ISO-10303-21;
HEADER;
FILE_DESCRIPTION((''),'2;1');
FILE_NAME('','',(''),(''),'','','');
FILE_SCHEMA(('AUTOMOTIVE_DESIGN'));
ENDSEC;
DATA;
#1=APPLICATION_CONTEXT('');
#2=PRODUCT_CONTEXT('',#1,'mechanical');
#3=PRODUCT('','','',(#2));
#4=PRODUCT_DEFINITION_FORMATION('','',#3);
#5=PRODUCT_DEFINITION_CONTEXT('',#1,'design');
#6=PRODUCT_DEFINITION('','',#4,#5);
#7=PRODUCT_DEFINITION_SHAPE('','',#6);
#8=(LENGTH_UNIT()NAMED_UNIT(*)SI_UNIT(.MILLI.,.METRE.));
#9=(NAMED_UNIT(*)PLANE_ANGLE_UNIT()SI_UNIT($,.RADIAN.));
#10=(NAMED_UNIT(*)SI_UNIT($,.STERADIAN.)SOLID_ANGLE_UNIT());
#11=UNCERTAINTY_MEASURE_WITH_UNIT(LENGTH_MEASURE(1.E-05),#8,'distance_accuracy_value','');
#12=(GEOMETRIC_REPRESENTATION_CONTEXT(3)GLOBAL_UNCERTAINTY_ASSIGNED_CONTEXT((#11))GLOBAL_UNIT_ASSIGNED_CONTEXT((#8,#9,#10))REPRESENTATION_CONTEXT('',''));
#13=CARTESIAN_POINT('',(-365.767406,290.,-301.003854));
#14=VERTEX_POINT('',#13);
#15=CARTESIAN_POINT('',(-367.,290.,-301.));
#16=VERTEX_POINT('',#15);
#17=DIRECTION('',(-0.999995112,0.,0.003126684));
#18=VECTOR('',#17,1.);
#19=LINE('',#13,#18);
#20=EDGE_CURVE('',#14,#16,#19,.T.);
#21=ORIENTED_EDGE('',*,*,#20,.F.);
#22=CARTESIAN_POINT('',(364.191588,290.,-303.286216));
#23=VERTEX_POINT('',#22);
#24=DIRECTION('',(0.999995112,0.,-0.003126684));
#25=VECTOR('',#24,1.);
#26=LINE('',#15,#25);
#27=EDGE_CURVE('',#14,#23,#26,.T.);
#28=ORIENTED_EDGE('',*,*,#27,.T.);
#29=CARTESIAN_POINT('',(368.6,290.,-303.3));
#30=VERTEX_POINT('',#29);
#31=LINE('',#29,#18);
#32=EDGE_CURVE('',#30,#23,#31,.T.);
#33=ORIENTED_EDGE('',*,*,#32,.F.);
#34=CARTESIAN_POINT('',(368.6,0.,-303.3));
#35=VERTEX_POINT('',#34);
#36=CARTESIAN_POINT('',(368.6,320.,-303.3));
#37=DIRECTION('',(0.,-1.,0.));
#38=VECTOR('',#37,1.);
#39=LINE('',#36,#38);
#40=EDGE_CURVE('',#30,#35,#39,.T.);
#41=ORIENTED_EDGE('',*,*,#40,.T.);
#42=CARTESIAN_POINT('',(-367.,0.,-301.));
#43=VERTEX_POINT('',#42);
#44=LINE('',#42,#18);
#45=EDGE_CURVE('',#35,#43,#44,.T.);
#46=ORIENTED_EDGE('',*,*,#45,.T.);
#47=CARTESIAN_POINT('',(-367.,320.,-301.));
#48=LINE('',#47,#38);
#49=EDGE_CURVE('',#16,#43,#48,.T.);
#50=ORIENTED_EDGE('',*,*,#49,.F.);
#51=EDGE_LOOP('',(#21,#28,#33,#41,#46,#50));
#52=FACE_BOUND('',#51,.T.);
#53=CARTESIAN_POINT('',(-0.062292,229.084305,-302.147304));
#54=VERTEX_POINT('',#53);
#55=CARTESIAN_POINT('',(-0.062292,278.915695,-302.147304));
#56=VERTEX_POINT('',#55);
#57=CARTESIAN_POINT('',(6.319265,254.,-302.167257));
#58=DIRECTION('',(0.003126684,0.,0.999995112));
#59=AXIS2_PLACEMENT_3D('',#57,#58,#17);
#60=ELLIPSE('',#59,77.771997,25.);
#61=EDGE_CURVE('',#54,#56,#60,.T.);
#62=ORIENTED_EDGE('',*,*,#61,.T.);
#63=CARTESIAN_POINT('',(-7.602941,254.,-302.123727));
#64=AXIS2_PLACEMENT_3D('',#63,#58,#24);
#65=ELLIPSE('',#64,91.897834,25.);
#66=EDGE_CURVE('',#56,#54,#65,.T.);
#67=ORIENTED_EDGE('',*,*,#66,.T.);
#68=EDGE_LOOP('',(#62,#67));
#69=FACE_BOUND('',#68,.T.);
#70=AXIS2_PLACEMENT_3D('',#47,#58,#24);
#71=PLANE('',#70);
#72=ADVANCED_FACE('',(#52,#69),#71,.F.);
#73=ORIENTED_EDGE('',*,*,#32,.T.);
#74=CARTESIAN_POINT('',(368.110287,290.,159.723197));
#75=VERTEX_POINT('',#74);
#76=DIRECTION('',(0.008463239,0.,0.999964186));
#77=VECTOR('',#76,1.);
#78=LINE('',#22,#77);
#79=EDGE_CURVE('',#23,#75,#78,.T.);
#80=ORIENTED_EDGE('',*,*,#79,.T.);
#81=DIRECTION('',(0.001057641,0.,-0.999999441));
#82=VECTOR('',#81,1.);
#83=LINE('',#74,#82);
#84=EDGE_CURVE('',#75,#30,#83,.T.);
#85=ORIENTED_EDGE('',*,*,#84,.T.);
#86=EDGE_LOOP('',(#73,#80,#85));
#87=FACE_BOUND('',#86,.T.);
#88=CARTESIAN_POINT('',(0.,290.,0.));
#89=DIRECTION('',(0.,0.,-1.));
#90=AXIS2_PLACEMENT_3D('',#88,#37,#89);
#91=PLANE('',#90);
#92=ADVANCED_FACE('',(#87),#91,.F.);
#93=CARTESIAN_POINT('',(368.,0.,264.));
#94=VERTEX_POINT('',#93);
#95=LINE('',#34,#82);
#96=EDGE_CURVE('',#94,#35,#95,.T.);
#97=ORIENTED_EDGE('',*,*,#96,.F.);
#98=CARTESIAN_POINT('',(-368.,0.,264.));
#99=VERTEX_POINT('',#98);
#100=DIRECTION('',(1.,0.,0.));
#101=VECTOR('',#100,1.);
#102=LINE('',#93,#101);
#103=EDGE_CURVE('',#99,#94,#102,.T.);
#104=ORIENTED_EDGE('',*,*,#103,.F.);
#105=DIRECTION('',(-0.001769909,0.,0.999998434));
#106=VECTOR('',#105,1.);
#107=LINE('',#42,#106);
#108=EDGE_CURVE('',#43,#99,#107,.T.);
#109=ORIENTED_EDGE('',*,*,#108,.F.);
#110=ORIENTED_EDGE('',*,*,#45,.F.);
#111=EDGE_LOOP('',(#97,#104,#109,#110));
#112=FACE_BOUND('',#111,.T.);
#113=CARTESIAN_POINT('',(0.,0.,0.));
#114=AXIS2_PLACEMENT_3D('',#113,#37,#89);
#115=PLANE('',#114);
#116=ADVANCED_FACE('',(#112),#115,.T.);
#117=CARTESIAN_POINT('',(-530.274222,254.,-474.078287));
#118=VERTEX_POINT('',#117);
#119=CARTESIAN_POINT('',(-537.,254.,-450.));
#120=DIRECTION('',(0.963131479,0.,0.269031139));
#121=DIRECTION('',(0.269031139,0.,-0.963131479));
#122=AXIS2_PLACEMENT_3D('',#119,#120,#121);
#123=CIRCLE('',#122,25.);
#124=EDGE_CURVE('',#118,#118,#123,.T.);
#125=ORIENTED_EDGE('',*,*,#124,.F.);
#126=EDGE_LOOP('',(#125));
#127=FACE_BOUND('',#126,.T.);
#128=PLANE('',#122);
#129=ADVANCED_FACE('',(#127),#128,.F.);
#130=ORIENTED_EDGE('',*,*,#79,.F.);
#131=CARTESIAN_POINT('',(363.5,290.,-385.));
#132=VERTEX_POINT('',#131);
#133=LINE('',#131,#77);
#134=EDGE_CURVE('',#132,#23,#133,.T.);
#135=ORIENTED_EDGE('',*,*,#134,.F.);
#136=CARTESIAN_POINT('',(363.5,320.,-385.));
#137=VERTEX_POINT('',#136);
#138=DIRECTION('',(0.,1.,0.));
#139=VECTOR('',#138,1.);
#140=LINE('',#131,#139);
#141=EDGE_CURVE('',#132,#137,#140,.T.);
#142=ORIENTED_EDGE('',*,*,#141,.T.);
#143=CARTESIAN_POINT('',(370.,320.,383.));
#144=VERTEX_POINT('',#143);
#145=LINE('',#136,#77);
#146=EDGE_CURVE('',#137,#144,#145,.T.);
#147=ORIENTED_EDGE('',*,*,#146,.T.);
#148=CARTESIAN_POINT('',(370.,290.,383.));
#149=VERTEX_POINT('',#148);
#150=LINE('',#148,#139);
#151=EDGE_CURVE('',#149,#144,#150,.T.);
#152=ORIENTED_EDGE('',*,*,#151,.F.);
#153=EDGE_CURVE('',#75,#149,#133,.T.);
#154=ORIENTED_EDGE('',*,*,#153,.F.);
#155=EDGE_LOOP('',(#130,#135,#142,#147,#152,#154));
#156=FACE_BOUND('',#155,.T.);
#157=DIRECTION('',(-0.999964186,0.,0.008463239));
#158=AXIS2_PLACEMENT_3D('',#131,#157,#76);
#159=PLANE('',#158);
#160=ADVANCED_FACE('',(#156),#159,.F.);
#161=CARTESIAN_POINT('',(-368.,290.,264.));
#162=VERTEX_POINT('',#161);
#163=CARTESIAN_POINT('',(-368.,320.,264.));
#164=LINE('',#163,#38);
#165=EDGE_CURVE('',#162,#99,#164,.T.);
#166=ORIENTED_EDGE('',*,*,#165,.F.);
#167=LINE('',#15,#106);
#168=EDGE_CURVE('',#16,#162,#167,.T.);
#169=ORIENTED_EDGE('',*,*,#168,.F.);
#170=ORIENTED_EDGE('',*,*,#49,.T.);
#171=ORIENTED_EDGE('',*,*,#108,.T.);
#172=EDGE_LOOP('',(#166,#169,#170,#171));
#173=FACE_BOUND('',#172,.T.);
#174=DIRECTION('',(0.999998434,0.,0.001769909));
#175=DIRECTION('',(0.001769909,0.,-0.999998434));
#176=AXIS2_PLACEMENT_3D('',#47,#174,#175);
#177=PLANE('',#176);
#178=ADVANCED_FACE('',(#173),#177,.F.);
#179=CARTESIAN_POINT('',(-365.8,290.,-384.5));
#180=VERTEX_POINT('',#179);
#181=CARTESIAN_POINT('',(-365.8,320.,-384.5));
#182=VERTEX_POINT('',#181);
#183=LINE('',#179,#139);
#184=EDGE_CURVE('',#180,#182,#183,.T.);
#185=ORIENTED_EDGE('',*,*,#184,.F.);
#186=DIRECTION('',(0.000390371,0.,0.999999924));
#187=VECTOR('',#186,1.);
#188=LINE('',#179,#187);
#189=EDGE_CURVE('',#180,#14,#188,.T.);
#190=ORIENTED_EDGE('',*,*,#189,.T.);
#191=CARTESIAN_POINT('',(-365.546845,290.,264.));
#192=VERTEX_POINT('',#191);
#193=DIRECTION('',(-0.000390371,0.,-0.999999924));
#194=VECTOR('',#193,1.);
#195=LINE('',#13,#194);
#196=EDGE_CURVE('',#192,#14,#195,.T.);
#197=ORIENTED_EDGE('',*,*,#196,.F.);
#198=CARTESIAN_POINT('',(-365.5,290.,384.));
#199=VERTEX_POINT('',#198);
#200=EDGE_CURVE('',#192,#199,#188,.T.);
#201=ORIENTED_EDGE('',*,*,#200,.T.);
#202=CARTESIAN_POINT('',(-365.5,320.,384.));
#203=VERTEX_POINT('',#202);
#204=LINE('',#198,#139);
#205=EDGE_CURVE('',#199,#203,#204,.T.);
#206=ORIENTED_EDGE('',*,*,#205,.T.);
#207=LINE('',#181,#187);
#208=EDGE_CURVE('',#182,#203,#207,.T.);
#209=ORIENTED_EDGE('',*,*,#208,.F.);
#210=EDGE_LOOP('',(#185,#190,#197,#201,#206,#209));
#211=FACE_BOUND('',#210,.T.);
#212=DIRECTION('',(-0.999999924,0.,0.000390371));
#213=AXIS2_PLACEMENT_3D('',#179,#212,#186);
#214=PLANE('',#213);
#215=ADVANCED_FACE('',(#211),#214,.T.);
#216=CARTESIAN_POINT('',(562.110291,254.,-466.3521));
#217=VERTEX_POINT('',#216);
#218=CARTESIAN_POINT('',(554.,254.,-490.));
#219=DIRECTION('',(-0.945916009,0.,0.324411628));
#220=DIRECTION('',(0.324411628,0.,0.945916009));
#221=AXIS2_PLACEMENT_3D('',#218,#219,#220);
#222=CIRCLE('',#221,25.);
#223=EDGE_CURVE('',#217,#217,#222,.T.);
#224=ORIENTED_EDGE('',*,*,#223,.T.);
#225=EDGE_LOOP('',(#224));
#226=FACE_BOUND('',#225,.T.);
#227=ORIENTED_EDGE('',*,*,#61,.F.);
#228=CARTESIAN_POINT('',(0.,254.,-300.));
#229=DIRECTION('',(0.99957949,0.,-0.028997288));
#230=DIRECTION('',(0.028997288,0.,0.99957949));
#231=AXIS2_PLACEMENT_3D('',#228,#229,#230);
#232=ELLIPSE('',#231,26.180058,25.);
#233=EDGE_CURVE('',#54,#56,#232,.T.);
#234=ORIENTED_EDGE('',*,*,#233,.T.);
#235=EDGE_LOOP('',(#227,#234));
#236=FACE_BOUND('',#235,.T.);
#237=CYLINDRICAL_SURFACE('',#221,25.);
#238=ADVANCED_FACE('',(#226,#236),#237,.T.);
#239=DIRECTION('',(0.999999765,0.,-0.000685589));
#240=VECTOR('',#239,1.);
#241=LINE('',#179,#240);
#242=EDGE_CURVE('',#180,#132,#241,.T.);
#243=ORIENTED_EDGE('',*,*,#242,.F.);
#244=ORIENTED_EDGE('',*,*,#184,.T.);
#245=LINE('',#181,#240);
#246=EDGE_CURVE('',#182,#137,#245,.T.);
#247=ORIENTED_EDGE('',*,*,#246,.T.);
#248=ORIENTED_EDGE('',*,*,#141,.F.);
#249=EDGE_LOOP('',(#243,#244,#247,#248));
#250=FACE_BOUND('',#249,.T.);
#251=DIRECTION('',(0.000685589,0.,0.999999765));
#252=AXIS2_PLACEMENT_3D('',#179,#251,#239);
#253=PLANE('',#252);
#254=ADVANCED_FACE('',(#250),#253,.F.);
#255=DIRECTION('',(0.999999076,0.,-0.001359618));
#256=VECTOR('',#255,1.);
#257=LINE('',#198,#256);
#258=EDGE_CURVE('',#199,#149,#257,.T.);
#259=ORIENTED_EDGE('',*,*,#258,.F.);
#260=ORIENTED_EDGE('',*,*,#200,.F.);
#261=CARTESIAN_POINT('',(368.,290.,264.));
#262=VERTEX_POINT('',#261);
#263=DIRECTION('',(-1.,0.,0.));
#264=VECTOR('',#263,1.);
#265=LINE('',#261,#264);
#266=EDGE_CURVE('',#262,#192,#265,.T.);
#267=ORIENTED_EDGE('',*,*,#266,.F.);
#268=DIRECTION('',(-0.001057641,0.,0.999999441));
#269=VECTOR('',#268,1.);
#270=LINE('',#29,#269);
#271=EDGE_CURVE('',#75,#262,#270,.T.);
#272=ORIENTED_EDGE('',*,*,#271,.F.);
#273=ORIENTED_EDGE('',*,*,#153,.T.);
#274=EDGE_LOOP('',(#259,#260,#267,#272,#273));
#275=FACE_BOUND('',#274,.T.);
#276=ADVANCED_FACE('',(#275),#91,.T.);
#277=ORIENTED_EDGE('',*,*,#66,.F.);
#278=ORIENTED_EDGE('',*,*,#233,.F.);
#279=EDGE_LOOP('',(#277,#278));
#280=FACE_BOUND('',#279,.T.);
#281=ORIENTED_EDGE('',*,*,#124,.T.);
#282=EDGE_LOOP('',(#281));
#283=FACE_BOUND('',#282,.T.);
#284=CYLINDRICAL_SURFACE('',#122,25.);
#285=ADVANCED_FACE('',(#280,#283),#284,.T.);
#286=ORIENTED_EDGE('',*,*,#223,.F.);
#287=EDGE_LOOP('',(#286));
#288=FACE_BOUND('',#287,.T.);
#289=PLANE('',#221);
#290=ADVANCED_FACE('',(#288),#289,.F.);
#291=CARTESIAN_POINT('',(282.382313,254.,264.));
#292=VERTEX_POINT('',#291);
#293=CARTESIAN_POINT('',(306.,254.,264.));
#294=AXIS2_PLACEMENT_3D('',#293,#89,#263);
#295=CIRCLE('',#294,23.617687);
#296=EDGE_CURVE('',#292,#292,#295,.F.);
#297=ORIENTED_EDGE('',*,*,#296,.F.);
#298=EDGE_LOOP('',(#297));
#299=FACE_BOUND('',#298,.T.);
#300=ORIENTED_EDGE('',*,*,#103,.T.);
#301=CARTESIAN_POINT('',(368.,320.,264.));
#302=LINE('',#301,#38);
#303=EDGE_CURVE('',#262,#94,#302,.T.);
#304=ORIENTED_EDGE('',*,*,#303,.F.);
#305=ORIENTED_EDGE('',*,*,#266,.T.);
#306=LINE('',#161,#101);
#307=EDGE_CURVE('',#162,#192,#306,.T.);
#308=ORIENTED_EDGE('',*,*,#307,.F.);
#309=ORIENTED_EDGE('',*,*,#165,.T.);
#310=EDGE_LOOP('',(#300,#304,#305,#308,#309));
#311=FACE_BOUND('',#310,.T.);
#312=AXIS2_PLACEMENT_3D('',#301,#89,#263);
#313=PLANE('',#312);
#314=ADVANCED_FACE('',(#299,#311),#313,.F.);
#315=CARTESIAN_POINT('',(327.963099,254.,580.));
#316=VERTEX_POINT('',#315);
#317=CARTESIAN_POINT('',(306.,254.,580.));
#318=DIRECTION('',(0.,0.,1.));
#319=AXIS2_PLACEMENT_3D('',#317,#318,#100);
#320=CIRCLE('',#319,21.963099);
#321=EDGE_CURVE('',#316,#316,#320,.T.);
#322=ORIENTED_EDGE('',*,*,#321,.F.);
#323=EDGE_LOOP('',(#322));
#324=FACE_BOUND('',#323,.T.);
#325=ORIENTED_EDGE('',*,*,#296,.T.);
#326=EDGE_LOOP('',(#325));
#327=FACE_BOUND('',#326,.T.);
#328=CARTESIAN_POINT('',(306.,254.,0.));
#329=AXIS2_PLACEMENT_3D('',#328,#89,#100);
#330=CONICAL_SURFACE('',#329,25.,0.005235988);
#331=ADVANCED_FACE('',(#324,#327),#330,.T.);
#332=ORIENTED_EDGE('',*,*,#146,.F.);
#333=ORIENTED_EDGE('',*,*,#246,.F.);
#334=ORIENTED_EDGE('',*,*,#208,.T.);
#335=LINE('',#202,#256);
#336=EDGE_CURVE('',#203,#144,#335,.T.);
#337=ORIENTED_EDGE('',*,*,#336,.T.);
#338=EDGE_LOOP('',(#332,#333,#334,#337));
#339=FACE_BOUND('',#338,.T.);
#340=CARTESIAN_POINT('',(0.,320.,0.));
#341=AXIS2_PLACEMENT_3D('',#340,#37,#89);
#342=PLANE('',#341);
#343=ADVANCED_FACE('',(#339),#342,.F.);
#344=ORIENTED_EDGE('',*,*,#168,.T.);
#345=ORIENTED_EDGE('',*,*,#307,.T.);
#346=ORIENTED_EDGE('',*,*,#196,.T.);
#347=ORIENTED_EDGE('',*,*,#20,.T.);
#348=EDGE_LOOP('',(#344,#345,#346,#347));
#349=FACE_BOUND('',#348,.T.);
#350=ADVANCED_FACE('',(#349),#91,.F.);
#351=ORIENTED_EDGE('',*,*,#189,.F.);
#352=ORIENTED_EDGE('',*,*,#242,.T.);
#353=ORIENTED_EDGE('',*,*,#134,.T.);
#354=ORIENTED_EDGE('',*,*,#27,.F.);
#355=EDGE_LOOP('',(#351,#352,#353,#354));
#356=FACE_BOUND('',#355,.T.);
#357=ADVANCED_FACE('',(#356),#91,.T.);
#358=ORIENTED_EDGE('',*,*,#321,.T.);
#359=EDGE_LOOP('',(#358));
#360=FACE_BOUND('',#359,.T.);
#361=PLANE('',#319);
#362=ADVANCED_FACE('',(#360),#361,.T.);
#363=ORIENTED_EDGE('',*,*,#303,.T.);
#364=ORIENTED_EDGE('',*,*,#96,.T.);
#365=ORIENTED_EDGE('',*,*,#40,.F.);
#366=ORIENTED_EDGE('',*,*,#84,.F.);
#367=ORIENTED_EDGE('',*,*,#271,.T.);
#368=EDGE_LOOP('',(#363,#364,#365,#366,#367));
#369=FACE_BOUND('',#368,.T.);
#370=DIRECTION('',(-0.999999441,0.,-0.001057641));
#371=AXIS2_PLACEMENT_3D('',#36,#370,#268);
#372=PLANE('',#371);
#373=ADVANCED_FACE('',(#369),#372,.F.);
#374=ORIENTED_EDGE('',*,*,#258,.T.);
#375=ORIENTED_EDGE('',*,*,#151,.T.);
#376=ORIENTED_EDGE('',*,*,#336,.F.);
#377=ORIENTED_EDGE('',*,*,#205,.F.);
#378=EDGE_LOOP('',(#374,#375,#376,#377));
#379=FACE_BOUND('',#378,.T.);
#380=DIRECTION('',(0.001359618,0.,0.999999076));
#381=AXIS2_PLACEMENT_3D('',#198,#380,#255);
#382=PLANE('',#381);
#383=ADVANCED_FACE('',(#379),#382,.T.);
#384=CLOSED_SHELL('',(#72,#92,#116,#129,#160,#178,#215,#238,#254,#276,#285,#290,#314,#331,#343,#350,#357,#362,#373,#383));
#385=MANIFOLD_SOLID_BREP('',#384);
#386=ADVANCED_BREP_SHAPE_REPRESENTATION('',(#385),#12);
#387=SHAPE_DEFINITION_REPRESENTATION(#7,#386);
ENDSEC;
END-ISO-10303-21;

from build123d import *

# Parameters (mm, degrees)
EXTRUDE_1_DEPTH     = 320
EXTRUDE_2_DEPTH     = 30
CUT_EXTRUDE_1_DEPTH = 30
SKETCH_4_R          = 25
EXTRUDE_3_DEPTH     = 580
EXTRUDE_3_TAPER     = 0.3
SKETCH_8_R          = 25
EXTRUDE_4_DEPTH     = 557.556275
SKETCH_9_R          = 25
EXTRUDE_5_DEPTH     = 585.675678


with BuildPart() as part:
    # 草图1 → 凸台-拉伸1 (new body)
    with BuildSketch(Plane(origin=(0, 0, 0), x_dir=(1, 0, 0), z_dir=(0, 1, 0))):
        Polygon((368, -264), (-368, -264), (-367, 301), (368.6, 303.3), align=None)
    extrude(amount=EXTRUDE_1_DEPTH)

    # 草图2 → 凸台-拉伸2 (add)
    with BuildSketch(Plane(origin=(0, 320, 0), x_dir=(1, 0, 0), z_dir=(0, 1, 0))):
        Polygon((363.5, 385), (370, -383), (-365.5, -384), (-365.8, 384.5), align=None)
    extrude(amount=-EXTRUDE_2_DEPTH)

    # 草图3 → 切除-拉伸1 (cut)
    with BuildSketch(Plane(origin=(0, 320, 0), x_dir=(1, 0, 0), z_dir=(0, 1, 0))):
        Polygon((364.191588014, 303.286216221), (368.110287471, -159.723196528), (368.6, 303.3), align=None)
        Polygon((-365.767405538, 301.003853952), (-365.546844502, -264), (-368, -264), (-367, 301), align=None)
    extrude(amount=-CUT_EXTRUDE_1_DEPTH, mode=Mode.SUBTRACT)

    # 草图4 → 凸台-拉伸3 (add)
    with BuildSketch(Plane.XY):
        with Locations((306, 254)):
            Circle(SKETCH_4_R)
    extrude(amount=EXTRUDE_3_DEPTH, taper=EXTRUDE_3_TAPER)

    # 草图8 → 凸台-拉伸4 (add)
    with BuildSketch(Plane(origin=(0, 254, -300), x_dir=(0.26903113941240836, 0, -0.9631314790964218), z_dir=(0.9631314790964218, 0, 0.26903113941240836))):
        Circle(SKETCH_8_R)
    extrude(amount=-EXTRUDE_4_DEPTH)

    # 草图9 → 凸台-拉伸5 (add)
    with BuildSketch(Plane(origin=(0, 254, -300), x_dir=(0.3244116275984733, 0, 0.9459160088923908), z_dir=(-0.9459160088923909, 0, 0.3244116275984733))):
        Circle(SKETCH_9_R)
    extrude(amount=-EXTRUDE_5_DEPTH)


solid = part.part
